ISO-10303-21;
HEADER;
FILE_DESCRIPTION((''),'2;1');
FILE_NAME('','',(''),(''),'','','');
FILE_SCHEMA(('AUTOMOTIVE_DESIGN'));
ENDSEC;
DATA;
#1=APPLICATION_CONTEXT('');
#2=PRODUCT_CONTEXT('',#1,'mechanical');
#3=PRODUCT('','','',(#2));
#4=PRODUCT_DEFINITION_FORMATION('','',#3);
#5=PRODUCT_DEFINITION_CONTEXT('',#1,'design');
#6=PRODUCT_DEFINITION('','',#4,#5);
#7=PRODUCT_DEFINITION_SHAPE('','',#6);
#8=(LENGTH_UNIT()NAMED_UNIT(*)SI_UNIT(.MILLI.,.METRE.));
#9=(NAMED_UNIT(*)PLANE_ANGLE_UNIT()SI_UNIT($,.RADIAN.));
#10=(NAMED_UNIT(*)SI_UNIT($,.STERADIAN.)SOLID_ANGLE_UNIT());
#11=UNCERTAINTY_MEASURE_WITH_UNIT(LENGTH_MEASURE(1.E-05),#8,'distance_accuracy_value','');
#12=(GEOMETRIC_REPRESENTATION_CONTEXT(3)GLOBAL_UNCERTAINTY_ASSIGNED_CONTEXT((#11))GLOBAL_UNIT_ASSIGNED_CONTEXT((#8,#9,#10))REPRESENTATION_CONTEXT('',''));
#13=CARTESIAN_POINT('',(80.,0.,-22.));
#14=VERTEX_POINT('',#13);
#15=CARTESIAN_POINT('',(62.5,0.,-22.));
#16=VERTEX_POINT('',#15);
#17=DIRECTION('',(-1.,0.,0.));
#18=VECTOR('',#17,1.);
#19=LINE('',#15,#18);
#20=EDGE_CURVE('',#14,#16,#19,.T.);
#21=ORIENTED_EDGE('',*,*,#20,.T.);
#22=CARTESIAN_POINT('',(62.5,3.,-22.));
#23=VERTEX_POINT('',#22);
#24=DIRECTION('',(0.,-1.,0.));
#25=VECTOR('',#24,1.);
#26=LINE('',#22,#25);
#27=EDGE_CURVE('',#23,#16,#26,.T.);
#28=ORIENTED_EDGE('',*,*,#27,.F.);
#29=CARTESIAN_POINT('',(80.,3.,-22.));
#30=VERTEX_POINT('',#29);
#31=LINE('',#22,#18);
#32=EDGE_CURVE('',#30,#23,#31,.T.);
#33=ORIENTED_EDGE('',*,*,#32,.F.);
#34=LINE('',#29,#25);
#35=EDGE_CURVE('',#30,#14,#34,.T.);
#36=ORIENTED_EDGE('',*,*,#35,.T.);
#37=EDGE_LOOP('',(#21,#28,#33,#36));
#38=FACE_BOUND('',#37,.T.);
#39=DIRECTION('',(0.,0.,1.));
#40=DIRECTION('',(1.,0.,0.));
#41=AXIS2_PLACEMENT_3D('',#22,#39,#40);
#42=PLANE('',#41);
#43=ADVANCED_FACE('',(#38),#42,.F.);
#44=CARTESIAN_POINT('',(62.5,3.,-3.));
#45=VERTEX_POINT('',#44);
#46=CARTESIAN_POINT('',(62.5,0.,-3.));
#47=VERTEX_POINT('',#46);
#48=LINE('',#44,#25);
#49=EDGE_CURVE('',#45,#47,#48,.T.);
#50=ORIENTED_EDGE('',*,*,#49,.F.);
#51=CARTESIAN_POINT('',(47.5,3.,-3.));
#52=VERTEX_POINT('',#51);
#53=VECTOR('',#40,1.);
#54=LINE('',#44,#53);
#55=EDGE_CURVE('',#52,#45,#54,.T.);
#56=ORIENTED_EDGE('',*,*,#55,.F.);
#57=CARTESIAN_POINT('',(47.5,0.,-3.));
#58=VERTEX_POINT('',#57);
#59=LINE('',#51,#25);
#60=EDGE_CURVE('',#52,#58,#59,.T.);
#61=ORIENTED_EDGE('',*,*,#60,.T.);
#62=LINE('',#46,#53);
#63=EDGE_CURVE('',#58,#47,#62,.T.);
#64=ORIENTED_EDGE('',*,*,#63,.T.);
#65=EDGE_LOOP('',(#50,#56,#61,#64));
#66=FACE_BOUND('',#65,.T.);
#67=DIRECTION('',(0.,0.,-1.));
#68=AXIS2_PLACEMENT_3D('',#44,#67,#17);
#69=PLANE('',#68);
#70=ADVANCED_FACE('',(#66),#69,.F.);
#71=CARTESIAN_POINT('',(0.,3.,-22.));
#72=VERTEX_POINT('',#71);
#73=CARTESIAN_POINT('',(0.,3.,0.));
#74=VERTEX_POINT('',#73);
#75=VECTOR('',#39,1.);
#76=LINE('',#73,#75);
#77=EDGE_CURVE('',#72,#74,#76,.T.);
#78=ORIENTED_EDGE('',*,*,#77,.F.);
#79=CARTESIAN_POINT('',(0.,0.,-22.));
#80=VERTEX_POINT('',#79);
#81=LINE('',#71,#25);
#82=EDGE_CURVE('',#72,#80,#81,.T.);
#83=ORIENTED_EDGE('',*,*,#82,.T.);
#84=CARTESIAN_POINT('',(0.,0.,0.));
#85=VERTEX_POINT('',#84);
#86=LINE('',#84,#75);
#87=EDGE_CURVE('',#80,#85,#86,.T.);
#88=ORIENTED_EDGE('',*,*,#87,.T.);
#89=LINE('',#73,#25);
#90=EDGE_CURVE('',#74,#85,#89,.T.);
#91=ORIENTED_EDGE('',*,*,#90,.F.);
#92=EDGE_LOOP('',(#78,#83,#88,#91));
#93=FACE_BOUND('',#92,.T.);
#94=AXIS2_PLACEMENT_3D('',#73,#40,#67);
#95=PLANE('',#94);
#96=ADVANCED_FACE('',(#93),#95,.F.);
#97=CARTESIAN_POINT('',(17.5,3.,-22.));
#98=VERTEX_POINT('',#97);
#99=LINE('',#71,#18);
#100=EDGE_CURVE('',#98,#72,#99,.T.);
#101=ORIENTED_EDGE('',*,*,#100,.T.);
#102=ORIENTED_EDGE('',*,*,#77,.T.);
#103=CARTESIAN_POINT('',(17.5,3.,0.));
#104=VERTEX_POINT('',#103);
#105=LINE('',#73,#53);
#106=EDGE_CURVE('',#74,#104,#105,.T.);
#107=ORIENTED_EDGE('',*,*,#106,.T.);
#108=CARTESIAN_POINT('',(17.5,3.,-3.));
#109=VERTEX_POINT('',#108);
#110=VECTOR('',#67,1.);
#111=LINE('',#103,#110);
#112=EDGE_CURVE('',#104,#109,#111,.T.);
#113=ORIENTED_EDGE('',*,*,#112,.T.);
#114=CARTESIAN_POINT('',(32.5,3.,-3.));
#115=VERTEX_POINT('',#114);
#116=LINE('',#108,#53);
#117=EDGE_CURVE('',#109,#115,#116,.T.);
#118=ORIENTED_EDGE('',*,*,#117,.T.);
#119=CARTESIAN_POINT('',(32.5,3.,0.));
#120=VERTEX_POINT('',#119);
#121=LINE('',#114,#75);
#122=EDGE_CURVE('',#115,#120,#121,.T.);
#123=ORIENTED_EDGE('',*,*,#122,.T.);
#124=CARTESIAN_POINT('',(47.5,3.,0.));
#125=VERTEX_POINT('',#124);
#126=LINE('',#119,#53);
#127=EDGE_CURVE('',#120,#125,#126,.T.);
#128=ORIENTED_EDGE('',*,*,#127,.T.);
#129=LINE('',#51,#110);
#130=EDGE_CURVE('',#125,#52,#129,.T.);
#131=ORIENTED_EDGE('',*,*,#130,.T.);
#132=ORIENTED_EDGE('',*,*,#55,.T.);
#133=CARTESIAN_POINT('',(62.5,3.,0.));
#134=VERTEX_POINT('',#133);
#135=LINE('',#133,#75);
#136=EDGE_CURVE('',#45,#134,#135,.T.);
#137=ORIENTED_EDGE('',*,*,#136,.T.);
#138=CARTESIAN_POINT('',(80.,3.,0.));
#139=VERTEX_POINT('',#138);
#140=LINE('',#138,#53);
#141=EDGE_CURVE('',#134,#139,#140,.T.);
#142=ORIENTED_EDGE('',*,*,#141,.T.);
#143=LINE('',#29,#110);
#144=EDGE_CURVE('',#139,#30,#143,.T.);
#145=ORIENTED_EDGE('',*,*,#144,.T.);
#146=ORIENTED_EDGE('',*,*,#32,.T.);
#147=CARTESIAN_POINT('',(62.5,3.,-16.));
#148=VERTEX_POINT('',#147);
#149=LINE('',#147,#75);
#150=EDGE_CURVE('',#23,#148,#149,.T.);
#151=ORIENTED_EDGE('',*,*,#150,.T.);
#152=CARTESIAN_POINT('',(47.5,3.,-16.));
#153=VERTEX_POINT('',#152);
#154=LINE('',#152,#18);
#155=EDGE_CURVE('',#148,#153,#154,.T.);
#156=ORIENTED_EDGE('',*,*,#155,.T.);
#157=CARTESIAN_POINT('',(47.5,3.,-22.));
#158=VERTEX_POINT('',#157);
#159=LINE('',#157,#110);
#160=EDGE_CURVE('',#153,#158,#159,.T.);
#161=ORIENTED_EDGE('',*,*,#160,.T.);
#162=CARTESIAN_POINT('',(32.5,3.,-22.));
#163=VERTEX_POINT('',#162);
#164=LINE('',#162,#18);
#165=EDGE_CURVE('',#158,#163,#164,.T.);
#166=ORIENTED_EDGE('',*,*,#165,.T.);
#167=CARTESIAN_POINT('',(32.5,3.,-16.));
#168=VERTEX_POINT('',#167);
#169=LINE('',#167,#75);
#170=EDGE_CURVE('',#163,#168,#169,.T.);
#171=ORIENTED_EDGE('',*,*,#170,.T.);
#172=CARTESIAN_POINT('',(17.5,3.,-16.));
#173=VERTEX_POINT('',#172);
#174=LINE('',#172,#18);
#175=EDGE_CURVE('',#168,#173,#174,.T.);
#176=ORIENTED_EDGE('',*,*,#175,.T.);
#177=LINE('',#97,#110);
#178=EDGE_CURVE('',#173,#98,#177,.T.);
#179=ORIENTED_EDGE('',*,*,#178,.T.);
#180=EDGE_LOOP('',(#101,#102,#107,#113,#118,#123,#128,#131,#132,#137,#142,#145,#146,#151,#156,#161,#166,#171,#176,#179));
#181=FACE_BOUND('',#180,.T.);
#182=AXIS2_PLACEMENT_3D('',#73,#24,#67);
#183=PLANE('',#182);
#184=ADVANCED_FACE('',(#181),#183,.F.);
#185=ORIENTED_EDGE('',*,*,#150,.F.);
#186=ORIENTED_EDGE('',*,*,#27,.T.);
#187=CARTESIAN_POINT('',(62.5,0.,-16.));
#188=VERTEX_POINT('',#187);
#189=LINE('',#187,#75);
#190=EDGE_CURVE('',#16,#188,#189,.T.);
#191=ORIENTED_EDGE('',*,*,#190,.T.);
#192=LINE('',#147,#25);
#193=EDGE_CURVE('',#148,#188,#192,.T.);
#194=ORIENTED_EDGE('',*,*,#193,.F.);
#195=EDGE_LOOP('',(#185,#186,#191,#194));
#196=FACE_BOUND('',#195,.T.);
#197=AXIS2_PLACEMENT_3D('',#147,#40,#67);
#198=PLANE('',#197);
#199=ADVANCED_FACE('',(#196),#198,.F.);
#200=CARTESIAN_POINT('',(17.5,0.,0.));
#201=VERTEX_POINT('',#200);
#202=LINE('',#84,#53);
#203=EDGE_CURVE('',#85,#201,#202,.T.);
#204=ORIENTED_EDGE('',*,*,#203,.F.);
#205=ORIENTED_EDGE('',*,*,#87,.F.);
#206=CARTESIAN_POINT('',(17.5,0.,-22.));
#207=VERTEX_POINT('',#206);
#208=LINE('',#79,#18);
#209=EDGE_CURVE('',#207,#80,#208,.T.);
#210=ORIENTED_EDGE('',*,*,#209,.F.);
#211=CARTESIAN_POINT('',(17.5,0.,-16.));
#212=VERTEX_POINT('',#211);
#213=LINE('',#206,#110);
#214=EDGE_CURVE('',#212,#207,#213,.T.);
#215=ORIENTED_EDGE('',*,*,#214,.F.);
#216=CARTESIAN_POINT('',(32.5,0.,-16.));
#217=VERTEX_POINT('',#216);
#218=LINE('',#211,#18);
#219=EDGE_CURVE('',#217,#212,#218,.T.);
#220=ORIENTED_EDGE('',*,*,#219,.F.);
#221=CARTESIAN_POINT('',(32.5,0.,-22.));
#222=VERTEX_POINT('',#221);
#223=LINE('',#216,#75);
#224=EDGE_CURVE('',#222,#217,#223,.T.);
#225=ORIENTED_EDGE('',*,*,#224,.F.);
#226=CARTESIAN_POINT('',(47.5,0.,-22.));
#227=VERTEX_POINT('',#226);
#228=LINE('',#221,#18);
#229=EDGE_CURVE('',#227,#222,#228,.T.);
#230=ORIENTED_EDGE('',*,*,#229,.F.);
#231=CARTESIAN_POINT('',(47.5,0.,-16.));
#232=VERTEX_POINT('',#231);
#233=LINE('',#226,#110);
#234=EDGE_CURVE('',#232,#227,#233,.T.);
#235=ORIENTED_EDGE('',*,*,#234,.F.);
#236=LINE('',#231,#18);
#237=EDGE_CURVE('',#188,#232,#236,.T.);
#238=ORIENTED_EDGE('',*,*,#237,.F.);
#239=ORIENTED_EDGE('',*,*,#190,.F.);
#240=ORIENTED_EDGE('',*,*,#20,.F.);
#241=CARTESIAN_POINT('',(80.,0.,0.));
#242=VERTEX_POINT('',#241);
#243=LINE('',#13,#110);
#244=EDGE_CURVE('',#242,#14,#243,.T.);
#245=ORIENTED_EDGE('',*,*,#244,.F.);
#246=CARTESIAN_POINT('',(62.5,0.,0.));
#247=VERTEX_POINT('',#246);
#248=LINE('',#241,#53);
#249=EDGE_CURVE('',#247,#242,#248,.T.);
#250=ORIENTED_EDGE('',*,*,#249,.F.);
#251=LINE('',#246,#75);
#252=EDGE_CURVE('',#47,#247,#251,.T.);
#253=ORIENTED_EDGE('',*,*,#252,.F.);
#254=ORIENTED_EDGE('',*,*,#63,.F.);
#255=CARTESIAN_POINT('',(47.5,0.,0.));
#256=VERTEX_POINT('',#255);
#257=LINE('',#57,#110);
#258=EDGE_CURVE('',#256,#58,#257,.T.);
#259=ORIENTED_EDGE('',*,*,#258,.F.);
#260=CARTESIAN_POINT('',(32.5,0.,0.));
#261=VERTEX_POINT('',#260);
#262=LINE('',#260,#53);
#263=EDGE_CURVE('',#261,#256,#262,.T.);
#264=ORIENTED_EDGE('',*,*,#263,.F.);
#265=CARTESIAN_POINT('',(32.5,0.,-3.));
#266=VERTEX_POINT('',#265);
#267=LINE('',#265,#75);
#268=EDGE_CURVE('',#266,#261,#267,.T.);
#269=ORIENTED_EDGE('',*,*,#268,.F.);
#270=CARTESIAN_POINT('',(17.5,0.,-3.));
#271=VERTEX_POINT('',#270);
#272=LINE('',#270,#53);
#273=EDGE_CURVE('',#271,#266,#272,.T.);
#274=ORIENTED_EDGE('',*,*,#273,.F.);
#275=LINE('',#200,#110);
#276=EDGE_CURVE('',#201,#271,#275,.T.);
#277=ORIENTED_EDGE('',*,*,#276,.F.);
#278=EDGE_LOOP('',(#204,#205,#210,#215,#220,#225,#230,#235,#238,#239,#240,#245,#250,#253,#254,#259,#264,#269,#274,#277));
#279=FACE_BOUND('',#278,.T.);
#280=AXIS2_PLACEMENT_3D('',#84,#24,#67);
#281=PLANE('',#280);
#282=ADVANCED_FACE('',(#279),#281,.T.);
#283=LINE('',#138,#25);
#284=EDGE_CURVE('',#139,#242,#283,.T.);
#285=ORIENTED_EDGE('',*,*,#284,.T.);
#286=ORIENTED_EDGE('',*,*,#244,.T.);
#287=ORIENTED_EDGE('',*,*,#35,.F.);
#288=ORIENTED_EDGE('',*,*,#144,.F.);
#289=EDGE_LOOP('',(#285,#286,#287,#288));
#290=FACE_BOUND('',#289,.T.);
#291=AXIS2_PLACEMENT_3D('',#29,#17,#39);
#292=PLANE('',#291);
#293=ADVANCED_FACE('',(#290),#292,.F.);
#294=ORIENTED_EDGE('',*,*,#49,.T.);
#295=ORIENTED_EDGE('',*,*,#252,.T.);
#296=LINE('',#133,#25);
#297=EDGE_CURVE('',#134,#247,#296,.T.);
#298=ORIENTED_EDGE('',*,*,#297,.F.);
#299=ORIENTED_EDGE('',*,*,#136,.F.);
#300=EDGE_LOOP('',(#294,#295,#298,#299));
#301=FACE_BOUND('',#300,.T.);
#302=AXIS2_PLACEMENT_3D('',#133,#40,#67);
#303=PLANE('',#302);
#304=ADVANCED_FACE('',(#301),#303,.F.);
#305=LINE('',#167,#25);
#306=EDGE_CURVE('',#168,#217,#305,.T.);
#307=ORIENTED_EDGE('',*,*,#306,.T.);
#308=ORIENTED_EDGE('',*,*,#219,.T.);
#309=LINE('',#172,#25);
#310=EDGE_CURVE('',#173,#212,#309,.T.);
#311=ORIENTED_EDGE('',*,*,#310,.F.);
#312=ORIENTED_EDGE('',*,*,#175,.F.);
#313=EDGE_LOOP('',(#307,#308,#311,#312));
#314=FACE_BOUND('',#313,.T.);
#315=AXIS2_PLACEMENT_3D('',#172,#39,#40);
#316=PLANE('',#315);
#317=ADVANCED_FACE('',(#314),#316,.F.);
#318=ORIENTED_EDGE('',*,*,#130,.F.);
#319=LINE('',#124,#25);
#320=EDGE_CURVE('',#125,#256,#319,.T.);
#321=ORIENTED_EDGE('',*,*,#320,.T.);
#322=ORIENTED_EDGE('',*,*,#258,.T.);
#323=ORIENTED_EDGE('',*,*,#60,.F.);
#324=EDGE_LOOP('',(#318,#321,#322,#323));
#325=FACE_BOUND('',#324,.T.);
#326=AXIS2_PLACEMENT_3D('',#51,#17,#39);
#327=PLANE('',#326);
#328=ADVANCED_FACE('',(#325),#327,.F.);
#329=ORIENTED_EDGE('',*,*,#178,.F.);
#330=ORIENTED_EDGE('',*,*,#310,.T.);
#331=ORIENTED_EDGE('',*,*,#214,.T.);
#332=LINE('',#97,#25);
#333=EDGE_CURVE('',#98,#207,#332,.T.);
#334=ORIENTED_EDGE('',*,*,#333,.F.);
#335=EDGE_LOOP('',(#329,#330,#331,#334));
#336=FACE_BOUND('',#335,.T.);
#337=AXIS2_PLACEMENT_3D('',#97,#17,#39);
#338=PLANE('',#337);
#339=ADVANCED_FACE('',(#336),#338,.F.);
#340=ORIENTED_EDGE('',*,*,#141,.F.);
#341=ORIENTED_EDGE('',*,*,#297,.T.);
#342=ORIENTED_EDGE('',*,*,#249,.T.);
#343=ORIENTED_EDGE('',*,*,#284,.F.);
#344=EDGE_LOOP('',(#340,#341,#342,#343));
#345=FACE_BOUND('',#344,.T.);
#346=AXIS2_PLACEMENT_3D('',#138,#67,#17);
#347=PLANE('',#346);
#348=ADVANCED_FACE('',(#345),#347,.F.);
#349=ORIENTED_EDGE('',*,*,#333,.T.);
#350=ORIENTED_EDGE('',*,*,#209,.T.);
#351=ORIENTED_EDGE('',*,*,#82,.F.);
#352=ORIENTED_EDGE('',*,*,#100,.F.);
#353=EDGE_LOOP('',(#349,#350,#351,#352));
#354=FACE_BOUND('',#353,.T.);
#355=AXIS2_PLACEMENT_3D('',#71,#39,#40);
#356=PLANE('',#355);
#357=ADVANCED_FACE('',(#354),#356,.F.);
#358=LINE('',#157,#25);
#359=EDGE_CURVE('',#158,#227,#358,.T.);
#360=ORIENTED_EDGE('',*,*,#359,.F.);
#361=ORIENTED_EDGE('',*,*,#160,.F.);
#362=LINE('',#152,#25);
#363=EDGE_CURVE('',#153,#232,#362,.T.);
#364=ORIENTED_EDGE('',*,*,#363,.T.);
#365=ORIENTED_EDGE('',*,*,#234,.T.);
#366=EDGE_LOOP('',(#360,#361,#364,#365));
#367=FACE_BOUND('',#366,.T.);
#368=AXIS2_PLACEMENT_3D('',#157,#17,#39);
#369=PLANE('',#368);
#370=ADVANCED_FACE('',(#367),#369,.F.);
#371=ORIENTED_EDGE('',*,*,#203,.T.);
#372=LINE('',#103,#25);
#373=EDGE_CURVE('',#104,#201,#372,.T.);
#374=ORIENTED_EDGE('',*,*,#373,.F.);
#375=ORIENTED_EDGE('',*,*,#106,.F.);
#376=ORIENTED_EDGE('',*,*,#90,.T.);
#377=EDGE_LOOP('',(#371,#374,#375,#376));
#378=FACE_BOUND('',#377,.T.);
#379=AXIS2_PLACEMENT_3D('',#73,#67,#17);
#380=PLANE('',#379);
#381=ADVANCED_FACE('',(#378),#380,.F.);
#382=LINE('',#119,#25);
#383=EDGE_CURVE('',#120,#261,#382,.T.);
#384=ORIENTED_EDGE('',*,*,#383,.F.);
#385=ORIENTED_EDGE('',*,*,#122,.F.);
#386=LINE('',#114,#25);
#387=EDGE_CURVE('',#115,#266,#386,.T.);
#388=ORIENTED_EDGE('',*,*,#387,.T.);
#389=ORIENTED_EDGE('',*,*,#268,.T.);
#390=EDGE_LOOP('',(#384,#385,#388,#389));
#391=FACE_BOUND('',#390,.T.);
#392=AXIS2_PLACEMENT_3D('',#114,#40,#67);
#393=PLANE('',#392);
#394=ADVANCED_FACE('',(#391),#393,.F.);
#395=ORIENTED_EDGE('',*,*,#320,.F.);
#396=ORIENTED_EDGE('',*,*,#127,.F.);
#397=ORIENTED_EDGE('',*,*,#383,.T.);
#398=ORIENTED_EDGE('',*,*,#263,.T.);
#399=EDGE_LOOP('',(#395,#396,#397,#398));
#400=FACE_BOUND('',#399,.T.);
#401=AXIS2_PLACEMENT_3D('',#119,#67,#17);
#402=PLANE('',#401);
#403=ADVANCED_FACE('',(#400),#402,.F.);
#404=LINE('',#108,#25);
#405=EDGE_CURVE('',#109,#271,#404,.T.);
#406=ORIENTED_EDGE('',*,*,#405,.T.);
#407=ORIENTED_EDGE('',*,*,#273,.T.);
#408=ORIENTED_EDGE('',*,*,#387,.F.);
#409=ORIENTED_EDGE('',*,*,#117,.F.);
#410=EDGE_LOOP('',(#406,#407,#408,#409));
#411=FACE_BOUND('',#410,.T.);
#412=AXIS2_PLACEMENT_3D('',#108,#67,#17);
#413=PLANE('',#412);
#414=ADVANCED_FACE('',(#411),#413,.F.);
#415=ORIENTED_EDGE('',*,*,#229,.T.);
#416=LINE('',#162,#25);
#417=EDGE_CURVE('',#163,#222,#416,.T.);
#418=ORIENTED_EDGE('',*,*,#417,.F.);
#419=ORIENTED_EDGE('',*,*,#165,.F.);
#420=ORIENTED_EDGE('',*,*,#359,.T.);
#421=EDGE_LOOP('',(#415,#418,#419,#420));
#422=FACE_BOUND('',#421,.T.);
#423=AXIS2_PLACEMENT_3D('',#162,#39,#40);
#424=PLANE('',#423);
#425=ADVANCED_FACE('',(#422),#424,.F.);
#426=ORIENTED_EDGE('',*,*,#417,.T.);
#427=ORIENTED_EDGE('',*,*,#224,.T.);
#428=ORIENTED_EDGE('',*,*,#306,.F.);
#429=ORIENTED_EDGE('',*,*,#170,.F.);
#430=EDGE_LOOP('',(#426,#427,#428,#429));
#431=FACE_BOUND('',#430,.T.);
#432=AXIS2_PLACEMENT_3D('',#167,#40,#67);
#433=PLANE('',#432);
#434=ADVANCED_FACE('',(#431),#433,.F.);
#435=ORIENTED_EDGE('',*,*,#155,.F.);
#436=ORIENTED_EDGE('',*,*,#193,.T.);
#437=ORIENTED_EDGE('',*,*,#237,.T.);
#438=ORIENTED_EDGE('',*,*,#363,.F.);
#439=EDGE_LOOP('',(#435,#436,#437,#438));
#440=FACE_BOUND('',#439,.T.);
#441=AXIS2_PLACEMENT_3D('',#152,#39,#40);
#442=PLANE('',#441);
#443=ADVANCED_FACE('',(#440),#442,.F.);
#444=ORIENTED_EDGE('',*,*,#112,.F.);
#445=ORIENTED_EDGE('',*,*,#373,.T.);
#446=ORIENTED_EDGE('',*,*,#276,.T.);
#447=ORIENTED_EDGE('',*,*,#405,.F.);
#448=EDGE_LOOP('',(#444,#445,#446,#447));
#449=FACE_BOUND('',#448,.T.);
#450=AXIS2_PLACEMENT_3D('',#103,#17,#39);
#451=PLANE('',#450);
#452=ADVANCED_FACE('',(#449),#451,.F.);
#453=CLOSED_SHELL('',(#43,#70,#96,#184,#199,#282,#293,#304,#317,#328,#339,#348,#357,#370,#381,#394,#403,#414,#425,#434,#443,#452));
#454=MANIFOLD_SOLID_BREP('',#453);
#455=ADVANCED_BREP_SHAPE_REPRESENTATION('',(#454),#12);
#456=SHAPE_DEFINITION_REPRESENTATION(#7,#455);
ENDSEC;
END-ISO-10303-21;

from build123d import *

# Parameters (mm, degrees)
SALIENTE_EXTRUIR1_DEPTH = 3


with BuildPart() as part:
    # Croquis1 → Saliente-Extruir1 (new body)
    with BuildSketch(Plane(origin=(0, 0, 0), x_dir=(1, 0, 0), z_dir=(0, 1, 0))):
        Polygon((0, 0), (17.5, 0), (17.5, 3), (32.5, 3), (32.5, 0), (47.5, 0), (47.5, 3), (62.5, 3), (62.5, 0), (80, 0), (80, 22), (62.5, 22), (62.5, 16), (47.5, 16), (47.5, 22), (32.5, 22), (32.5, 16), (17.5, 16), (17.5, 22), (0, 22), align=None)
    extrude(amount=SALIENTE_EXTRUIR1_DEPTH)


solid = part.part
